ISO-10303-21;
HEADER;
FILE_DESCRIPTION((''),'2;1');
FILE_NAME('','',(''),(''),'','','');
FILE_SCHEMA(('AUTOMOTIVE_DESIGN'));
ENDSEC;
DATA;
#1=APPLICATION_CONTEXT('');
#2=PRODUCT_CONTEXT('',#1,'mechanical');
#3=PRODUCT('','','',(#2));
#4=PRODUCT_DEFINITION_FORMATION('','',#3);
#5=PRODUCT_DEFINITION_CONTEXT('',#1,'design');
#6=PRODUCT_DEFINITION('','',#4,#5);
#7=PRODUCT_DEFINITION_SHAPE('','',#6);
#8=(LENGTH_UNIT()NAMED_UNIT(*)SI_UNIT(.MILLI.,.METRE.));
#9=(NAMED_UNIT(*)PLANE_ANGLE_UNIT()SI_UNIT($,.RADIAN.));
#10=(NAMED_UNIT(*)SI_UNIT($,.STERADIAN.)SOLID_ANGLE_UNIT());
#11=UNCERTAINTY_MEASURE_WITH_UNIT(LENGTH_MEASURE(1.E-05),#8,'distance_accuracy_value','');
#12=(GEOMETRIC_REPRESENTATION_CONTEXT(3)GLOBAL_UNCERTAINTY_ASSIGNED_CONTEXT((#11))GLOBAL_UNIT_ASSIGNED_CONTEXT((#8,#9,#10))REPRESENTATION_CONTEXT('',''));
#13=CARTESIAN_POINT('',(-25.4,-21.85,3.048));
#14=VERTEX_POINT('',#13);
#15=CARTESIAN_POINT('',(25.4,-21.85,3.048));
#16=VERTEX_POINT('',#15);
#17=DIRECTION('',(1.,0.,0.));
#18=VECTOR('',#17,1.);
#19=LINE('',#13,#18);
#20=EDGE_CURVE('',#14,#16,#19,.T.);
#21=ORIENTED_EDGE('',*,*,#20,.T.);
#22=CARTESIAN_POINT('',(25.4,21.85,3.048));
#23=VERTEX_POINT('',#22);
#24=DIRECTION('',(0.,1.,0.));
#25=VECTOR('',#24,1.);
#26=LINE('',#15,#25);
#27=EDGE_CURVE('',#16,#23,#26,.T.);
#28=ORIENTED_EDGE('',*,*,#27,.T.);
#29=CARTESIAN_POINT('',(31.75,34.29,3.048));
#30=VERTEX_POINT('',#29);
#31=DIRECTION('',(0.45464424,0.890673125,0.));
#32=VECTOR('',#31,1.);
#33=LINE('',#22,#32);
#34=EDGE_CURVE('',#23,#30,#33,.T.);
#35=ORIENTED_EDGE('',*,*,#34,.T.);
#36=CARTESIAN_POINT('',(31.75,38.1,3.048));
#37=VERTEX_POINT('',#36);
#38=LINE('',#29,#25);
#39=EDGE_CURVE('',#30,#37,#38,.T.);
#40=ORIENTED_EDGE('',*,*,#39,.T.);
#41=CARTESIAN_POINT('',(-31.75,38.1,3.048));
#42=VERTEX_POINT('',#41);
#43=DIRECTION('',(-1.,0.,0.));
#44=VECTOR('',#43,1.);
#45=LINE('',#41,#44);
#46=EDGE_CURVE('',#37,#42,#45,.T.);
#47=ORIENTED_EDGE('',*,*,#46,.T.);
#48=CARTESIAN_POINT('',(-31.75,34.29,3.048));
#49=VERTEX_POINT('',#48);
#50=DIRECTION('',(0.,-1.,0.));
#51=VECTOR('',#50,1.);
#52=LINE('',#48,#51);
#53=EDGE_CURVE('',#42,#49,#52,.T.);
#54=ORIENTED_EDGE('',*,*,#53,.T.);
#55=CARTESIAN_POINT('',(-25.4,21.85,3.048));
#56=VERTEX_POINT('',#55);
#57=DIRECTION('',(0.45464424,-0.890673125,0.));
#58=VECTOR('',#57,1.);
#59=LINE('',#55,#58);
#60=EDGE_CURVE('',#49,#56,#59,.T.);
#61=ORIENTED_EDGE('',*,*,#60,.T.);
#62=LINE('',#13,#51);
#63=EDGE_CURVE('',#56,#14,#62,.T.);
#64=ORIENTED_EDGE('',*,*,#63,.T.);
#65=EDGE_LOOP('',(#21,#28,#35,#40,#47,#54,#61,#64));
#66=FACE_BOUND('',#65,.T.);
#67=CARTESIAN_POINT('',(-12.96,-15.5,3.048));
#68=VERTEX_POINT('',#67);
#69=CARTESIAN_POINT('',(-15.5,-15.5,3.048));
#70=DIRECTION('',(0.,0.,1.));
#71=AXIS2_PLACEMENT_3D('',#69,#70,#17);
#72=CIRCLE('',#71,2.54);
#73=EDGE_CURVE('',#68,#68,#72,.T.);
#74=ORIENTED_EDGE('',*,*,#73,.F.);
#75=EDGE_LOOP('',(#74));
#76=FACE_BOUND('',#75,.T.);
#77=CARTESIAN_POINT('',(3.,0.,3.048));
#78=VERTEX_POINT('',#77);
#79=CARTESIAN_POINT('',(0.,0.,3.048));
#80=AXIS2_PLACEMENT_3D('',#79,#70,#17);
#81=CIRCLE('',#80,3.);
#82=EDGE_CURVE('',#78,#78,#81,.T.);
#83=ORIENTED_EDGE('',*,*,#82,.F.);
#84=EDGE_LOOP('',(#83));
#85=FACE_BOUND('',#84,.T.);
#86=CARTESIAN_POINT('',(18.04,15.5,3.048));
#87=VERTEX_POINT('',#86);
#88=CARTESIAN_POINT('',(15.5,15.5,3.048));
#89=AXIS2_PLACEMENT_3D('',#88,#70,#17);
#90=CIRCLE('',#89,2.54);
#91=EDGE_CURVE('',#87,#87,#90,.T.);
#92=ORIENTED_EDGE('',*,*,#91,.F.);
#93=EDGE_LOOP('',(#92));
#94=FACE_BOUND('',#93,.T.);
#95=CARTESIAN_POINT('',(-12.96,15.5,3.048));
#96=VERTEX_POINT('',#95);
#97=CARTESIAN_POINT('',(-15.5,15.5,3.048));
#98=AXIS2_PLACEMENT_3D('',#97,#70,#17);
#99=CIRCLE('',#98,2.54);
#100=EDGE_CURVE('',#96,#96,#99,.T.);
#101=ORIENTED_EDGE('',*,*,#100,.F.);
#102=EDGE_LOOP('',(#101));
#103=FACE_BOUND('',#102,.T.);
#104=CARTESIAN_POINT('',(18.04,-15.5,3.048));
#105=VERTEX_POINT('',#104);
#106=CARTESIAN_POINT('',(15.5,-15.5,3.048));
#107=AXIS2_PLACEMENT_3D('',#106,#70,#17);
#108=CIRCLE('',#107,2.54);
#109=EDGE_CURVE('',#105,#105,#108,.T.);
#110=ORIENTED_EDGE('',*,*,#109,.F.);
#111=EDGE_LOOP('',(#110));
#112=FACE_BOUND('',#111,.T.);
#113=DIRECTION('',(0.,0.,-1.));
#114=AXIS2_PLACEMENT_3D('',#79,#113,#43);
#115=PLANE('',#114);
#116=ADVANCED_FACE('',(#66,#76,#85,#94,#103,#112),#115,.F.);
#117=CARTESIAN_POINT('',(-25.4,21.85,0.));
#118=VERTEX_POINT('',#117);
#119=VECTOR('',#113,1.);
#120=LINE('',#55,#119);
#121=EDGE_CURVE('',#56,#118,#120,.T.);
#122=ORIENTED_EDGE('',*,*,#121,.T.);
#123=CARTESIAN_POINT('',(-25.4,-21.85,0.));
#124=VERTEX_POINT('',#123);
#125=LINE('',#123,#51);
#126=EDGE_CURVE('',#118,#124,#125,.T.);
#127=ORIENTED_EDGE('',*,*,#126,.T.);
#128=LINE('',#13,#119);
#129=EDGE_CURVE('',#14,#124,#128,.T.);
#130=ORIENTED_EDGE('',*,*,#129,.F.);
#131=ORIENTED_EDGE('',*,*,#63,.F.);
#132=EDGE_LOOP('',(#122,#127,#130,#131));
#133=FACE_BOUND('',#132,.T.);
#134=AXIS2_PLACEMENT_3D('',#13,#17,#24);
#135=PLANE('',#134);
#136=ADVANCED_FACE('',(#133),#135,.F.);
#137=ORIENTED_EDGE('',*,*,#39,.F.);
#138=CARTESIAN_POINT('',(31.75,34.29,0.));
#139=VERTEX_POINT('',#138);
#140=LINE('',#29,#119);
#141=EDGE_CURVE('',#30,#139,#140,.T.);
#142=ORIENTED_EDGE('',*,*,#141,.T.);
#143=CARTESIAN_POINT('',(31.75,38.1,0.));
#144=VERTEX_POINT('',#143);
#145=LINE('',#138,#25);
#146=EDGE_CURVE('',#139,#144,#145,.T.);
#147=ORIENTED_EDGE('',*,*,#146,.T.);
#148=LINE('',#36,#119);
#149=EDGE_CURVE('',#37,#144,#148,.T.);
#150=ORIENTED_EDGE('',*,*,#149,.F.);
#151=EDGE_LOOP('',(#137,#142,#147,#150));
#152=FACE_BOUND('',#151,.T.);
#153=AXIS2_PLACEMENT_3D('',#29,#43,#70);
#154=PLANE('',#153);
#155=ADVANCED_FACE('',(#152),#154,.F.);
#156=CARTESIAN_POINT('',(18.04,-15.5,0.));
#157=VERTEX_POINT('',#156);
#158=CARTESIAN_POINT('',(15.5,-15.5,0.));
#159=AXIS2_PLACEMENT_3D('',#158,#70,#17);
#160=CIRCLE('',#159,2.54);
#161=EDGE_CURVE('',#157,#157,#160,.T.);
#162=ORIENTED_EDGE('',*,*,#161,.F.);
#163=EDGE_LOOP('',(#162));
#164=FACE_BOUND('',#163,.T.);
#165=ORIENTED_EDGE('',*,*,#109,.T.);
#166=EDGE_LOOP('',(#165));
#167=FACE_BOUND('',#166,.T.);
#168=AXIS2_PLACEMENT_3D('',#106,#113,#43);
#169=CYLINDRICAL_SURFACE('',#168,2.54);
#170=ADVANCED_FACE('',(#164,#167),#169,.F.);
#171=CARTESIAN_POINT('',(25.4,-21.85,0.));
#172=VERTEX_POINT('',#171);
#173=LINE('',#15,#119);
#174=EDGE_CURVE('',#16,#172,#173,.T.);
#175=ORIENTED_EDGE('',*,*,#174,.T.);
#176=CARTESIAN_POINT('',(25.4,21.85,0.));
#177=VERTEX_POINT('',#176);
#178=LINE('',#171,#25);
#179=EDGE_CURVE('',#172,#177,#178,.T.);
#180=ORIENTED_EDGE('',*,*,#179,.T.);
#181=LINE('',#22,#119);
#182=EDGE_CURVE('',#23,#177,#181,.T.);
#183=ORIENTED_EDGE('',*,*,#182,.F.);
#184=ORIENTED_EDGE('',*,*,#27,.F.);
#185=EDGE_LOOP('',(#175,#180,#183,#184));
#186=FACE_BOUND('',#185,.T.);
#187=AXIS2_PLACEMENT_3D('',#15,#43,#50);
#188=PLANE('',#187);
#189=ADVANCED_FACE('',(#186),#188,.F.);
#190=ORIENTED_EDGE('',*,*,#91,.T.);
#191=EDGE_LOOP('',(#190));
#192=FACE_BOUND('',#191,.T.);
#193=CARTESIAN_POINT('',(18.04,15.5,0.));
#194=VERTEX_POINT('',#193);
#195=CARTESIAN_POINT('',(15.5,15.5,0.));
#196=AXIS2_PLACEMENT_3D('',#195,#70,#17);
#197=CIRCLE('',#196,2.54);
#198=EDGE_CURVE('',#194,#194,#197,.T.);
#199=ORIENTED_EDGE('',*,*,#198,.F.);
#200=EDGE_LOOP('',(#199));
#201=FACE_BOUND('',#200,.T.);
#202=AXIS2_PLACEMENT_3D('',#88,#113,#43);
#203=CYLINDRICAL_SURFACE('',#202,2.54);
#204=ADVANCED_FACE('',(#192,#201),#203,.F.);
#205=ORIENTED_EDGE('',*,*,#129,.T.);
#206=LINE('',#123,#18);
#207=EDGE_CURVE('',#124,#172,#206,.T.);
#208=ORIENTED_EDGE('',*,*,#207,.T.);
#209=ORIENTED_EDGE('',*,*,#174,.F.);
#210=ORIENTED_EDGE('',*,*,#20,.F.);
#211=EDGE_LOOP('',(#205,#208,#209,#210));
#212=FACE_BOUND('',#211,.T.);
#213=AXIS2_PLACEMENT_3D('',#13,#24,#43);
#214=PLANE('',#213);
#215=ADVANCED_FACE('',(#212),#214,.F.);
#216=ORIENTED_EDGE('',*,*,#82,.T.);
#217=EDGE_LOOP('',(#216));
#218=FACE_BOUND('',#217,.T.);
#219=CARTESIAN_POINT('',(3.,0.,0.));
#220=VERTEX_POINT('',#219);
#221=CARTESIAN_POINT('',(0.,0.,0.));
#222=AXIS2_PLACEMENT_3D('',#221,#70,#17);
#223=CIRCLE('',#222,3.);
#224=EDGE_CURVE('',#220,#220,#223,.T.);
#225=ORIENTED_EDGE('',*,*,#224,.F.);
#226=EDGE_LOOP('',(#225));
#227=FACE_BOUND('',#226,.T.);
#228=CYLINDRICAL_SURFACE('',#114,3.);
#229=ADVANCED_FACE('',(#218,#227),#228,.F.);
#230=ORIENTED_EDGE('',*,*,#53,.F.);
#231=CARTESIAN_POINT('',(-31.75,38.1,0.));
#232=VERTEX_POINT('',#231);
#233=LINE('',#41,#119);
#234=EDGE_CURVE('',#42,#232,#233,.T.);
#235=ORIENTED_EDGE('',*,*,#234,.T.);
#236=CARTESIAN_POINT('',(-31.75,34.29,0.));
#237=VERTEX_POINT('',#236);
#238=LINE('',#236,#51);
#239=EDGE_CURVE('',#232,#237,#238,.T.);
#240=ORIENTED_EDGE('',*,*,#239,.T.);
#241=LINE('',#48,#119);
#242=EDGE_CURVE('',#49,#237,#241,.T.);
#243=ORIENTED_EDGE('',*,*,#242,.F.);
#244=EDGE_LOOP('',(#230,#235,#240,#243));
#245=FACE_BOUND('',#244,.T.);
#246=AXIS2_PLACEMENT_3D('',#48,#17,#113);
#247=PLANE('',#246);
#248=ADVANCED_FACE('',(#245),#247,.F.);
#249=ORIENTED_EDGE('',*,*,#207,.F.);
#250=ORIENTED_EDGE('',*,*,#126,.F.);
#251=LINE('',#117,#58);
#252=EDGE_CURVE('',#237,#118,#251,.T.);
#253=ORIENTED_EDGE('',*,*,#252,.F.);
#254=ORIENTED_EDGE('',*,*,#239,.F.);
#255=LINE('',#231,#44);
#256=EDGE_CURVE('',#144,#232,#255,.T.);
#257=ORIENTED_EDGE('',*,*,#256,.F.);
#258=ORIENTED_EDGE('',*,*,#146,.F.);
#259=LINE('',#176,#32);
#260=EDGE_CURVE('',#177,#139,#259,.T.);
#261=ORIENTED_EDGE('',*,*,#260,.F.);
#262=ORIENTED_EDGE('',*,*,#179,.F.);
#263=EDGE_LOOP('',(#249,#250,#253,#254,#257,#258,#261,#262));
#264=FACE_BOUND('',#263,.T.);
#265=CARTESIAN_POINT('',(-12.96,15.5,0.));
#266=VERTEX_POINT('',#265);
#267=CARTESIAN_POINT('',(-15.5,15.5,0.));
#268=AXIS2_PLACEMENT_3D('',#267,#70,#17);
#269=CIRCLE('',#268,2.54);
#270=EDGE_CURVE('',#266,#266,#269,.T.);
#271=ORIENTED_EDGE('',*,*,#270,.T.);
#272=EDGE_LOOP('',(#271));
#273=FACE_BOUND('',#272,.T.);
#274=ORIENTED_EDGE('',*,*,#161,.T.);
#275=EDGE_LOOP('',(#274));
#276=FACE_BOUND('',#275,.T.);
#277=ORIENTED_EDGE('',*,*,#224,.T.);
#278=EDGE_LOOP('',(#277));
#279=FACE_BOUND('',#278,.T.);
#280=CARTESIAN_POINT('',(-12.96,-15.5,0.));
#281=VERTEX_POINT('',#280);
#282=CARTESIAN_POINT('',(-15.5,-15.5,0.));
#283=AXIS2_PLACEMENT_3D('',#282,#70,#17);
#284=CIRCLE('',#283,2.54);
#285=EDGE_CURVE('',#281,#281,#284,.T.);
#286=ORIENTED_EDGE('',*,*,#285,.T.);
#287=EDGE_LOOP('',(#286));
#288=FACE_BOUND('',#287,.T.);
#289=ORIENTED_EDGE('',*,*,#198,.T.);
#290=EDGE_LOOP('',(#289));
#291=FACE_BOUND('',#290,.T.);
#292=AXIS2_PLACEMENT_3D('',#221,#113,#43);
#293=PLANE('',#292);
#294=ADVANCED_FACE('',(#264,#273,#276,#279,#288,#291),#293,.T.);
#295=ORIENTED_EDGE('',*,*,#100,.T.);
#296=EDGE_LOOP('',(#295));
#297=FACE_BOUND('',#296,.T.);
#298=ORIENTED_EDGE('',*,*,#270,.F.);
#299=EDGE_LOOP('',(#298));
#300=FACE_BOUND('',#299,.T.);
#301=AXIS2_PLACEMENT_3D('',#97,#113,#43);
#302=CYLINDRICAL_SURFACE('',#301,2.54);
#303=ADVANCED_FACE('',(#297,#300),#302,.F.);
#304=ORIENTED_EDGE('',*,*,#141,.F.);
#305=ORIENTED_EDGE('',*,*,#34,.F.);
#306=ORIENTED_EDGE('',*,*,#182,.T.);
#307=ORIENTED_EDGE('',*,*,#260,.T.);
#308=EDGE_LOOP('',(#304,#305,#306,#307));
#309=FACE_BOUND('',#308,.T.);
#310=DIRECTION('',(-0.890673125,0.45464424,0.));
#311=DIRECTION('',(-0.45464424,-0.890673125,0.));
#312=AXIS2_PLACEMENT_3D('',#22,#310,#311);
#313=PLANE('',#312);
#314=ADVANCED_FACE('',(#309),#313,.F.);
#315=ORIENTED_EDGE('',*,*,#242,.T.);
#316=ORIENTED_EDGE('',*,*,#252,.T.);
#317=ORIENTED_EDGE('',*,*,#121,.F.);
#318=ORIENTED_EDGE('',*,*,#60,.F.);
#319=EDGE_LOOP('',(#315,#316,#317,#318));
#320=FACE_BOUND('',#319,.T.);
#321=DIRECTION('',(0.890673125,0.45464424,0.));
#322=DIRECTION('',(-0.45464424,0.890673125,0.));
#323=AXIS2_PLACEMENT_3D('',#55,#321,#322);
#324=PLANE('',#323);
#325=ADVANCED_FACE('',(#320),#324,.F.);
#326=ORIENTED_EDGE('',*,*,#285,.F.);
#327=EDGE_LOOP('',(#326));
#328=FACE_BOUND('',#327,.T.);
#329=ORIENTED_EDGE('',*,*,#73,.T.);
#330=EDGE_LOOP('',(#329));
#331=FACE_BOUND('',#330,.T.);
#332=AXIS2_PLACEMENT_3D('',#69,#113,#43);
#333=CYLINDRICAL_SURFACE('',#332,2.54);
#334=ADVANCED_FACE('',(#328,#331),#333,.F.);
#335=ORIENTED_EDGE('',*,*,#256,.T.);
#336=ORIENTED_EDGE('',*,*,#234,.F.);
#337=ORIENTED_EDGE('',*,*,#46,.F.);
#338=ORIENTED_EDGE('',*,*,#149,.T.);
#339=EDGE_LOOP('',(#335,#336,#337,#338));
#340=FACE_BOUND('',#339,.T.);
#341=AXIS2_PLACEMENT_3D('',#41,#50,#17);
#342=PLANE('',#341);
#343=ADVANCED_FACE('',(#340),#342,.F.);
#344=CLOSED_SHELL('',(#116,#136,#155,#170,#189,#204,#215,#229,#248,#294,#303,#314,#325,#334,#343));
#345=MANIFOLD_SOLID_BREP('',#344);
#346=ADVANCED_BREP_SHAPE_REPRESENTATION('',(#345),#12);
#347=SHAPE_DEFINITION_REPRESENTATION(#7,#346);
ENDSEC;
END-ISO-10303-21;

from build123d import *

# Parameters (mm, degrees)
SKETCH1_R           = 2.54
SKETCH1_R_2         = 3
BOSS_EXTRUDE1_DEPTH = 3.048


with BuildPart() as part:
    # Sketch1 → Boss-Extrude1 (new body)
    with BuildSketch(Plane.XY):
        Polygon((-25.4, -21.85), (25.4, -21.85), (25.4, 21.85), (31.75, 34.29), (31.75, 38.1), (-31.75, 38.1), (-31.75, 34.29), (-25.4, 21.85), align=None)
        with Locations((-15.5, 15.5)):
            Circle(SKETCH1_R, mode=Mode.SUBTRACT)
        with Locations((15.5, 15.5)):
            Circle(SKETCH1_R, mode=Mode.SUBTRACT)
        with Locations((15.5, -15.5)):
            Circle(SKETCH1_R, mode=Mode.SUBTRACT)
        with Locations((-15.5, -15.5)):
            Circle(SKETCH1_R, mode=Mode.SUBTRACT)
        Circle(SKETCH1_R_2, mode=Mode.SUBTRACT)
    extrude(amount=BOSS_EXTRUDE1_DEPTH)


solid = part.part
